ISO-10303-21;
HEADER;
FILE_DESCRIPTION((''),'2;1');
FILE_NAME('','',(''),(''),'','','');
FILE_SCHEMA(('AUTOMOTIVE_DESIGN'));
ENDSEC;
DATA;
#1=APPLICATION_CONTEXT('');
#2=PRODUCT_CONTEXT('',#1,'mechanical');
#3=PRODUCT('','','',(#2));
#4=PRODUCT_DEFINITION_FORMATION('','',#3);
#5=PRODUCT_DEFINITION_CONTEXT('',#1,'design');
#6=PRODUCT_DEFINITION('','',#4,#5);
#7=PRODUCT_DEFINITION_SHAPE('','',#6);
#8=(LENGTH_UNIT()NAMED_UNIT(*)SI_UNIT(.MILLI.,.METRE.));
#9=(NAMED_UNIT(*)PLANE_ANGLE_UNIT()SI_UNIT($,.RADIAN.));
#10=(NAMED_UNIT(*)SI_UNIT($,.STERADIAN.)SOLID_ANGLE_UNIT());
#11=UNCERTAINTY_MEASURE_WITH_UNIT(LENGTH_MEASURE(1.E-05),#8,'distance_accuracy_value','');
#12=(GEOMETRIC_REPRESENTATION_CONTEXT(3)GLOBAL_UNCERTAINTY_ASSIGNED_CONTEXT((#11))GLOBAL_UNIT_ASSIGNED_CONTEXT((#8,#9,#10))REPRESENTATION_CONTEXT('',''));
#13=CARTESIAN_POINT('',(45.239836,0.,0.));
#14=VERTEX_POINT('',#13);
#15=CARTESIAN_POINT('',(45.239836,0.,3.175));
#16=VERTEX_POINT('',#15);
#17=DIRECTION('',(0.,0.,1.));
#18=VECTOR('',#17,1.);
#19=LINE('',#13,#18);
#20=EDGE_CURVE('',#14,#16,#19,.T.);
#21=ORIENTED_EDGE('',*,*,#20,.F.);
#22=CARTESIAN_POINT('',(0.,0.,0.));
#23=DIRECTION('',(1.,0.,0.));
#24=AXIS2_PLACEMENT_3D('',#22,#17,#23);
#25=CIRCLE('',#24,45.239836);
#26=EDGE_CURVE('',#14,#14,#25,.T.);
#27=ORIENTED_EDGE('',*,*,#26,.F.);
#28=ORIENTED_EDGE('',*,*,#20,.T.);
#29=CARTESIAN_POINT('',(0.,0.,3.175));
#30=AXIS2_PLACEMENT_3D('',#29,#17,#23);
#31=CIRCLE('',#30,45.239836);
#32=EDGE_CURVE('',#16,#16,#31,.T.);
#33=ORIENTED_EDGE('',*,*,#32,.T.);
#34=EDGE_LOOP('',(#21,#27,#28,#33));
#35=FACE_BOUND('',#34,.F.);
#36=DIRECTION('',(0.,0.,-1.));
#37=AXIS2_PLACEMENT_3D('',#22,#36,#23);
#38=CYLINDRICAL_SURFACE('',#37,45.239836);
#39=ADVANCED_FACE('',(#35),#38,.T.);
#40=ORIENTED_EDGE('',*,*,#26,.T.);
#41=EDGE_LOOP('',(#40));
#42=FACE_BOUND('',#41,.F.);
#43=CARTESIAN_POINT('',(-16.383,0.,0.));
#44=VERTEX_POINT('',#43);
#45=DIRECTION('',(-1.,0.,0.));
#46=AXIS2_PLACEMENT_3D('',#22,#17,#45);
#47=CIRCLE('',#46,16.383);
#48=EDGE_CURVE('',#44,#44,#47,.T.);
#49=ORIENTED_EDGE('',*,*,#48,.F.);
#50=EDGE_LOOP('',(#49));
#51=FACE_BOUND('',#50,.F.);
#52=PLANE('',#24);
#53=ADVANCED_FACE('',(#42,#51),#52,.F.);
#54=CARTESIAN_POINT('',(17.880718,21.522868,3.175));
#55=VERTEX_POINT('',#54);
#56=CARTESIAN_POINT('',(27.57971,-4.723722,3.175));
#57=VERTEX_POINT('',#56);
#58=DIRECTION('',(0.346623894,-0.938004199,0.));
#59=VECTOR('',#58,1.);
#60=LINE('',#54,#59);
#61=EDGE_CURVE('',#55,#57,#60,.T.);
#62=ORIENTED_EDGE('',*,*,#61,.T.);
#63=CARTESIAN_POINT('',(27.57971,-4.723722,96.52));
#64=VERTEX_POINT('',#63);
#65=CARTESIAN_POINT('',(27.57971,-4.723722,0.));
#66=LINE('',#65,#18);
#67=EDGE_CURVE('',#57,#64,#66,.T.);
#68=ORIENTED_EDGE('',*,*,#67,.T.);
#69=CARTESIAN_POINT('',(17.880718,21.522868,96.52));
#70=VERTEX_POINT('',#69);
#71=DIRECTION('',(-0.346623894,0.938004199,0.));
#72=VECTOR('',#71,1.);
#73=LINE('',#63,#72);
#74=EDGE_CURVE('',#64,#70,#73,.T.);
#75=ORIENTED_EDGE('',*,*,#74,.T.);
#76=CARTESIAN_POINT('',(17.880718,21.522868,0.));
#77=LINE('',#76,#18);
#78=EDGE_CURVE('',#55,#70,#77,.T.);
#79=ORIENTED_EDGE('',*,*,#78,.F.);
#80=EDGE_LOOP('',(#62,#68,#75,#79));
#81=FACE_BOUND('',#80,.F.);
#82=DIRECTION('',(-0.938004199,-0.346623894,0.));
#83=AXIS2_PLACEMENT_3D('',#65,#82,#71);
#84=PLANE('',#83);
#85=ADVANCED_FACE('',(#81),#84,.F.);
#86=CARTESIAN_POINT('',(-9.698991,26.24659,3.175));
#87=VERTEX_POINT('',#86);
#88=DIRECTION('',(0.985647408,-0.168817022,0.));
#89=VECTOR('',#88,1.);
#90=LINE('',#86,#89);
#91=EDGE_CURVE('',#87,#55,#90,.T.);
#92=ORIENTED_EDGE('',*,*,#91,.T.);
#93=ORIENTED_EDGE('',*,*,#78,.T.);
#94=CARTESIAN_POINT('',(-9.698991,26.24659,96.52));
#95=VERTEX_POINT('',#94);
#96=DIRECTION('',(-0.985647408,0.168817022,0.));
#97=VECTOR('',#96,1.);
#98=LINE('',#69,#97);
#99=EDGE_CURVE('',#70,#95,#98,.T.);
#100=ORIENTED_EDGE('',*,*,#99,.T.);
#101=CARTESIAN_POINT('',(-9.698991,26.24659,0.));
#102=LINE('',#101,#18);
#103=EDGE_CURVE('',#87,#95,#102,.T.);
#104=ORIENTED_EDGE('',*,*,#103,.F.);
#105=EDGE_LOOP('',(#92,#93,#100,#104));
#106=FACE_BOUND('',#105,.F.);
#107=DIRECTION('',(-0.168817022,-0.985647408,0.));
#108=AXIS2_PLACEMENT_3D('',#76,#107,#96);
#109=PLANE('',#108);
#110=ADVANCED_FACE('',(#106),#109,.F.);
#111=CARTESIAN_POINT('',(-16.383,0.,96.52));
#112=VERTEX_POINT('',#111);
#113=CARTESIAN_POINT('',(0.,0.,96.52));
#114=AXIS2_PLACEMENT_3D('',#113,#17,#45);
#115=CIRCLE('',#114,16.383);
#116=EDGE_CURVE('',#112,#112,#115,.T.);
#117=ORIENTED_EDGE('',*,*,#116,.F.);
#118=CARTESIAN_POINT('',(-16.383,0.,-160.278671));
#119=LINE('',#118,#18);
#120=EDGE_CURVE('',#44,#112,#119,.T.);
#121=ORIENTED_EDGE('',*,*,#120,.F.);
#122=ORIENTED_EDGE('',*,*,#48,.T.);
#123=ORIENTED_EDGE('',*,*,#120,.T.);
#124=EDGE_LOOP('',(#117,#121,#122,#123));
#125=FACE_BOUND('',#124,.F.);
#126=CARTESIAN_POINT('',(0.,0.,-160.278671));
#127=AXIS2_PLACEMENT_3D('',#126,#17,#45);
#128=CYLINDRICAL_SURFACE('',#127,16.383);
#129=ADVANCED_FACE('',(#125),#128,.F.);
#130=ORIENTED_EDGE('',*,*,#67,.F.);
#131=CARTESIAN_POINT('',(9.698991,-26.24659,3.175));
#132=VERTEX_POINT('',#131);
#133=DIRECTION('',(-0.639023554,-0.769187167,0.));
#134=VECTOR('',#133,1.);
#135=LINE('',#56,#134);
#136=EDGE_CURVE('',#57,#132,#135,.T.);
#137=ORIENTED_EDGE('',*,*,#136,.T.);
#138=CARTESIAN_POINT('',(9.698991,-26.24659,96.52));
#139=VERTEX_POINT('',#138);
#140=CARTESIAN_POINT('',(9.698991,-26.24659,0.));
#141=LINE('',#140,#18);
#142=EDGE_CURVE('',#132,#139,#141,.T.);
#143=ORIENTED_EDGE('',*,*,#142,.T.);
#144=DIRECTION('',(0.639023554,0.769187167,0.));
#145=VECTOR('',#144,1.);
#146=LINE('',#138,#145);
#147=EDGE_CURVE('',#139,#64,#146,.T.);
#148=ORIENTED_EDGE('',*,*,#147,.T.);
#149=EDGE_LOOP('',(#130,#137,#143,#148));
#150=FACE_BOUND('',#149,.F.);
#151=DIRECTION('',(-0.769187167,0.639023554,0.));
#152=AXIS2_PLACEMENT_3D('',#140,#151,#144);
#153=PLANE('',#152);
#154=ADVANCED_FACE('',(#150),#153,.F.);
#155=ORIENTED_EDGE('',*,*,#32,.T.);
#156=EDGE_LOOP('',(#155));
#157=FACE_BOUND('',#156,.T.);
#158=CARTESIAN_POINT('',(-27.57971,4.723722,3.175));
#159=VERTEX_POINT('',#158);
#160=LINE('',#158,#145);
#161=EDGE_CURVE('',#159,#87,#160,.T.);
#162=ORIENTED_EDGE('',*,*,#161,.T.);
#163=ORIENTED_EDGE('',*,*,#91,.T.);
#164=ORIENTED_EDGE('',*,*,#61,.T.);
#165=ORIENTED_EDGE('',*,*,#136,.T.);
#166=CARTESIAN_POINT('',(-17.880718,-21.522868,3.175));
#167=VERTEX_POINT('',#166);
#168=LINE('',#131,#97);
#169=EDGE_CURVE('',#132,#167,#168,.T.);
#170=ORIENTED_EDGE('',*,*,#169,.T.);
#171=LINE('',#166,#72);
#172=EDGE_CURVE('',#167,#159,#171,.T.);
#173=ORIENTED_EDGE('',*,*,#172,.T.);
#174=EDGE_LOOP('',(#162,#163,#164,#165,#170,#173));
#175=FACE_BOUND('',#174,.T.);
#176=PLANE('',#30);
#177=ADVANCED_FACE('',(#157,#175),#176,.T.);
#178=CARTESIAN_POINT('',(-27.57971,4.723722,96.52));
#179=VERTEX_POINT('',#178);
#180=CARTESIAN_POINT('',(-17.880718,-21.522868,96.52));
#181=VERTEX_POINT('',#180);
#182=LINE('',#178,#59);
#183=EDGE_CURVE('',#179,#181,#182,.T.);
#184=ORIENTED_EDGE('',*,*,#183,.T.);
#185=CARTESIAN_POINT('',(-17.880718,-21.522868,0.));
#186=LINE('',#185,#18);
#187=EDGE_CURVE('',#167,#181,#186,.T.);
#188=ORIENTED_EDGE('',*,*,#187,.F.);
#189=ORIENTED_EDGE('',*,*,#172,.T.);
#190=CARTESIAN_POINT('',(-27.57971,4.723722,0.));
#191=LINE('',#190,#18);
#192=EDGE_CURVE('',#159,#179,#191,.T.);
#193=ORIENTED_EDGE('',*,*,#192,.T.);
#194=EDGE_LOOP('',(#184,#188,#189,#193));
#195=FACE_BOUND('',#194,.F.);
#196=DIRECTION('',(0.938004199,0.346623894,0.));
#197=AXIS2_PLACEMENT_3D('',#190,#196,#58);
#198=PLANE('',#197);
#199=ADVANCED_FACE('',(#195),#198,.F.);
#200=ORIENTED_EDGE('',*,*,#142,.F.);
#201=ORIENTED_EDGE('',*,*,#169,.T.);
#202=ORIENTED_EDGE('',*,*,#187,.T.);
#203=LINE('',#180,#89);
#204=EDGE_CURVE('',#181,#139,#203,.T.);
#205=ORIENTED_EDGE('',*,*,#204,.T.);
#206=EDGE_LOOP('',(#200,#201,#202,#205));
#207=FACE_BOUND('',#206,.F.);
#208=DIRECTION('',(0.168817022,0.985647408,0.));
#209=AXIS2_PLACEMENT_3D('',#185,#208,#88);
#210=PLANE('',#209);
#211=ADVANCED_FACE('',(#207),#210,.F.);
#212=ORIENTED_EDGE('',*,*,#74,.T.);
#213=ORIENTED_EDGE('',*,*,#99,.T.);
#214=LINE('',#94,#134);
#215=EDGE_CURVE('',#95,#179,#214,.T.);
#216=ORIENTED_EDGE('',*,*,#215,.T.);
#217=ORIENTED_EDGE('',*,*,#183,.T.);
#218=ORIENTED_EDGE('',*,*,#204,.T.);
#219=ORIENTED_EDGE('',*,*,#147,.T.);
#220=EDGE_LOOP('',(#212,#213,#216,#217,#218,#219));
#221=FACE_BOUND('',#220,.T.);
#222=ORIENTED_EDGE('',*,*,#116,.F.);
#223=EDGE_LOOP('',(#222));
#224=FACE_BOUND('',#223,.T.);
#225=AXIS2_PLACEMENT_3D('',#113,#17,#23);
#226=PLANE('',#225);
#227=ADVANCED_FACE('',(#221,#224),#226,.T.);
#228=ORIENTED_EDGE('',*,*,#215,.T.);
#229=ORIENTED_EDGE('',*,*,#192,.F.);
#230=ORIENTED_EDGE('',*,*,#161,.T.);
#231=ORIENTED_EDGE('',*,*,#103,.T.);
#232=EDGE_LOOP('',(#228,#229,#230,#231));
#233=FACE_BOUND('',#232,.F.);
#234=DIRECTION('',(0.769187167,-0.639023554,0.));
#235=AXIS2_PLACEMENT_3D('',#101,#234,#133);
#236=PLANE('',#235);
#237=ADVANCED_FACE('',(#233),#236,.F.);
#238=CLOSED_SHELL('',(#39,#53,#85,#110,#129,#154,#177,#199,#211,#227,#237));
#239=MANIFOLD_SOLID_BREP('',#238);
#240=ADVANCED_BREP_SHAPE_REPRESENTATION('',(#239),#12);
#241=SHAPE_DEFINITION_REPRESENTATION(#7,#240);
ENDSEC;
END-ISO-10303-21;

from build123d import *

# Parameters (mm, degrees)
F1_DEPTH = 96.52
F0_R     = 45.239836
F2_DEPTH = 3.175
F4_D     = 32.766


with BuildPart() as f1:
    # F0 (on Top) → F1 (new body)
    with BuildSketch(Plane.XY):
        Polygon((27.57971, -4.723722), (17.880718, 21.522868), (-9.698991, 26.24659), (-27.57971, 4.723722), (-17.880718, -21.522868), (9.698991, -26.24659), align=None)
    extrude(amount=F1_DEPTH)

    # F0 (on Top) → F2 (join)
    with BuildSketch(Plane.XY):
        Circle(F0_R)
        Polygon((-9.698991, 26.24659), (17.880718, 21.522868), (27.57971, -4.723722), (9.698991, -26.24659), (-17.880718, -21.522868), (-27.57971, 4.723722), align=None, mode=Mode.SUBTRACT)
    extrude(amount=F2_DEPTH)

    # F4 (through all)
    with Locations(Plane(origin=(0, 0, 0), x_dir=(1, 0, 0), z_dir=(0, 0, -1))):
        with Locations((0, 0)):
            Hole(F4_D / 2)


solid = f1.part
